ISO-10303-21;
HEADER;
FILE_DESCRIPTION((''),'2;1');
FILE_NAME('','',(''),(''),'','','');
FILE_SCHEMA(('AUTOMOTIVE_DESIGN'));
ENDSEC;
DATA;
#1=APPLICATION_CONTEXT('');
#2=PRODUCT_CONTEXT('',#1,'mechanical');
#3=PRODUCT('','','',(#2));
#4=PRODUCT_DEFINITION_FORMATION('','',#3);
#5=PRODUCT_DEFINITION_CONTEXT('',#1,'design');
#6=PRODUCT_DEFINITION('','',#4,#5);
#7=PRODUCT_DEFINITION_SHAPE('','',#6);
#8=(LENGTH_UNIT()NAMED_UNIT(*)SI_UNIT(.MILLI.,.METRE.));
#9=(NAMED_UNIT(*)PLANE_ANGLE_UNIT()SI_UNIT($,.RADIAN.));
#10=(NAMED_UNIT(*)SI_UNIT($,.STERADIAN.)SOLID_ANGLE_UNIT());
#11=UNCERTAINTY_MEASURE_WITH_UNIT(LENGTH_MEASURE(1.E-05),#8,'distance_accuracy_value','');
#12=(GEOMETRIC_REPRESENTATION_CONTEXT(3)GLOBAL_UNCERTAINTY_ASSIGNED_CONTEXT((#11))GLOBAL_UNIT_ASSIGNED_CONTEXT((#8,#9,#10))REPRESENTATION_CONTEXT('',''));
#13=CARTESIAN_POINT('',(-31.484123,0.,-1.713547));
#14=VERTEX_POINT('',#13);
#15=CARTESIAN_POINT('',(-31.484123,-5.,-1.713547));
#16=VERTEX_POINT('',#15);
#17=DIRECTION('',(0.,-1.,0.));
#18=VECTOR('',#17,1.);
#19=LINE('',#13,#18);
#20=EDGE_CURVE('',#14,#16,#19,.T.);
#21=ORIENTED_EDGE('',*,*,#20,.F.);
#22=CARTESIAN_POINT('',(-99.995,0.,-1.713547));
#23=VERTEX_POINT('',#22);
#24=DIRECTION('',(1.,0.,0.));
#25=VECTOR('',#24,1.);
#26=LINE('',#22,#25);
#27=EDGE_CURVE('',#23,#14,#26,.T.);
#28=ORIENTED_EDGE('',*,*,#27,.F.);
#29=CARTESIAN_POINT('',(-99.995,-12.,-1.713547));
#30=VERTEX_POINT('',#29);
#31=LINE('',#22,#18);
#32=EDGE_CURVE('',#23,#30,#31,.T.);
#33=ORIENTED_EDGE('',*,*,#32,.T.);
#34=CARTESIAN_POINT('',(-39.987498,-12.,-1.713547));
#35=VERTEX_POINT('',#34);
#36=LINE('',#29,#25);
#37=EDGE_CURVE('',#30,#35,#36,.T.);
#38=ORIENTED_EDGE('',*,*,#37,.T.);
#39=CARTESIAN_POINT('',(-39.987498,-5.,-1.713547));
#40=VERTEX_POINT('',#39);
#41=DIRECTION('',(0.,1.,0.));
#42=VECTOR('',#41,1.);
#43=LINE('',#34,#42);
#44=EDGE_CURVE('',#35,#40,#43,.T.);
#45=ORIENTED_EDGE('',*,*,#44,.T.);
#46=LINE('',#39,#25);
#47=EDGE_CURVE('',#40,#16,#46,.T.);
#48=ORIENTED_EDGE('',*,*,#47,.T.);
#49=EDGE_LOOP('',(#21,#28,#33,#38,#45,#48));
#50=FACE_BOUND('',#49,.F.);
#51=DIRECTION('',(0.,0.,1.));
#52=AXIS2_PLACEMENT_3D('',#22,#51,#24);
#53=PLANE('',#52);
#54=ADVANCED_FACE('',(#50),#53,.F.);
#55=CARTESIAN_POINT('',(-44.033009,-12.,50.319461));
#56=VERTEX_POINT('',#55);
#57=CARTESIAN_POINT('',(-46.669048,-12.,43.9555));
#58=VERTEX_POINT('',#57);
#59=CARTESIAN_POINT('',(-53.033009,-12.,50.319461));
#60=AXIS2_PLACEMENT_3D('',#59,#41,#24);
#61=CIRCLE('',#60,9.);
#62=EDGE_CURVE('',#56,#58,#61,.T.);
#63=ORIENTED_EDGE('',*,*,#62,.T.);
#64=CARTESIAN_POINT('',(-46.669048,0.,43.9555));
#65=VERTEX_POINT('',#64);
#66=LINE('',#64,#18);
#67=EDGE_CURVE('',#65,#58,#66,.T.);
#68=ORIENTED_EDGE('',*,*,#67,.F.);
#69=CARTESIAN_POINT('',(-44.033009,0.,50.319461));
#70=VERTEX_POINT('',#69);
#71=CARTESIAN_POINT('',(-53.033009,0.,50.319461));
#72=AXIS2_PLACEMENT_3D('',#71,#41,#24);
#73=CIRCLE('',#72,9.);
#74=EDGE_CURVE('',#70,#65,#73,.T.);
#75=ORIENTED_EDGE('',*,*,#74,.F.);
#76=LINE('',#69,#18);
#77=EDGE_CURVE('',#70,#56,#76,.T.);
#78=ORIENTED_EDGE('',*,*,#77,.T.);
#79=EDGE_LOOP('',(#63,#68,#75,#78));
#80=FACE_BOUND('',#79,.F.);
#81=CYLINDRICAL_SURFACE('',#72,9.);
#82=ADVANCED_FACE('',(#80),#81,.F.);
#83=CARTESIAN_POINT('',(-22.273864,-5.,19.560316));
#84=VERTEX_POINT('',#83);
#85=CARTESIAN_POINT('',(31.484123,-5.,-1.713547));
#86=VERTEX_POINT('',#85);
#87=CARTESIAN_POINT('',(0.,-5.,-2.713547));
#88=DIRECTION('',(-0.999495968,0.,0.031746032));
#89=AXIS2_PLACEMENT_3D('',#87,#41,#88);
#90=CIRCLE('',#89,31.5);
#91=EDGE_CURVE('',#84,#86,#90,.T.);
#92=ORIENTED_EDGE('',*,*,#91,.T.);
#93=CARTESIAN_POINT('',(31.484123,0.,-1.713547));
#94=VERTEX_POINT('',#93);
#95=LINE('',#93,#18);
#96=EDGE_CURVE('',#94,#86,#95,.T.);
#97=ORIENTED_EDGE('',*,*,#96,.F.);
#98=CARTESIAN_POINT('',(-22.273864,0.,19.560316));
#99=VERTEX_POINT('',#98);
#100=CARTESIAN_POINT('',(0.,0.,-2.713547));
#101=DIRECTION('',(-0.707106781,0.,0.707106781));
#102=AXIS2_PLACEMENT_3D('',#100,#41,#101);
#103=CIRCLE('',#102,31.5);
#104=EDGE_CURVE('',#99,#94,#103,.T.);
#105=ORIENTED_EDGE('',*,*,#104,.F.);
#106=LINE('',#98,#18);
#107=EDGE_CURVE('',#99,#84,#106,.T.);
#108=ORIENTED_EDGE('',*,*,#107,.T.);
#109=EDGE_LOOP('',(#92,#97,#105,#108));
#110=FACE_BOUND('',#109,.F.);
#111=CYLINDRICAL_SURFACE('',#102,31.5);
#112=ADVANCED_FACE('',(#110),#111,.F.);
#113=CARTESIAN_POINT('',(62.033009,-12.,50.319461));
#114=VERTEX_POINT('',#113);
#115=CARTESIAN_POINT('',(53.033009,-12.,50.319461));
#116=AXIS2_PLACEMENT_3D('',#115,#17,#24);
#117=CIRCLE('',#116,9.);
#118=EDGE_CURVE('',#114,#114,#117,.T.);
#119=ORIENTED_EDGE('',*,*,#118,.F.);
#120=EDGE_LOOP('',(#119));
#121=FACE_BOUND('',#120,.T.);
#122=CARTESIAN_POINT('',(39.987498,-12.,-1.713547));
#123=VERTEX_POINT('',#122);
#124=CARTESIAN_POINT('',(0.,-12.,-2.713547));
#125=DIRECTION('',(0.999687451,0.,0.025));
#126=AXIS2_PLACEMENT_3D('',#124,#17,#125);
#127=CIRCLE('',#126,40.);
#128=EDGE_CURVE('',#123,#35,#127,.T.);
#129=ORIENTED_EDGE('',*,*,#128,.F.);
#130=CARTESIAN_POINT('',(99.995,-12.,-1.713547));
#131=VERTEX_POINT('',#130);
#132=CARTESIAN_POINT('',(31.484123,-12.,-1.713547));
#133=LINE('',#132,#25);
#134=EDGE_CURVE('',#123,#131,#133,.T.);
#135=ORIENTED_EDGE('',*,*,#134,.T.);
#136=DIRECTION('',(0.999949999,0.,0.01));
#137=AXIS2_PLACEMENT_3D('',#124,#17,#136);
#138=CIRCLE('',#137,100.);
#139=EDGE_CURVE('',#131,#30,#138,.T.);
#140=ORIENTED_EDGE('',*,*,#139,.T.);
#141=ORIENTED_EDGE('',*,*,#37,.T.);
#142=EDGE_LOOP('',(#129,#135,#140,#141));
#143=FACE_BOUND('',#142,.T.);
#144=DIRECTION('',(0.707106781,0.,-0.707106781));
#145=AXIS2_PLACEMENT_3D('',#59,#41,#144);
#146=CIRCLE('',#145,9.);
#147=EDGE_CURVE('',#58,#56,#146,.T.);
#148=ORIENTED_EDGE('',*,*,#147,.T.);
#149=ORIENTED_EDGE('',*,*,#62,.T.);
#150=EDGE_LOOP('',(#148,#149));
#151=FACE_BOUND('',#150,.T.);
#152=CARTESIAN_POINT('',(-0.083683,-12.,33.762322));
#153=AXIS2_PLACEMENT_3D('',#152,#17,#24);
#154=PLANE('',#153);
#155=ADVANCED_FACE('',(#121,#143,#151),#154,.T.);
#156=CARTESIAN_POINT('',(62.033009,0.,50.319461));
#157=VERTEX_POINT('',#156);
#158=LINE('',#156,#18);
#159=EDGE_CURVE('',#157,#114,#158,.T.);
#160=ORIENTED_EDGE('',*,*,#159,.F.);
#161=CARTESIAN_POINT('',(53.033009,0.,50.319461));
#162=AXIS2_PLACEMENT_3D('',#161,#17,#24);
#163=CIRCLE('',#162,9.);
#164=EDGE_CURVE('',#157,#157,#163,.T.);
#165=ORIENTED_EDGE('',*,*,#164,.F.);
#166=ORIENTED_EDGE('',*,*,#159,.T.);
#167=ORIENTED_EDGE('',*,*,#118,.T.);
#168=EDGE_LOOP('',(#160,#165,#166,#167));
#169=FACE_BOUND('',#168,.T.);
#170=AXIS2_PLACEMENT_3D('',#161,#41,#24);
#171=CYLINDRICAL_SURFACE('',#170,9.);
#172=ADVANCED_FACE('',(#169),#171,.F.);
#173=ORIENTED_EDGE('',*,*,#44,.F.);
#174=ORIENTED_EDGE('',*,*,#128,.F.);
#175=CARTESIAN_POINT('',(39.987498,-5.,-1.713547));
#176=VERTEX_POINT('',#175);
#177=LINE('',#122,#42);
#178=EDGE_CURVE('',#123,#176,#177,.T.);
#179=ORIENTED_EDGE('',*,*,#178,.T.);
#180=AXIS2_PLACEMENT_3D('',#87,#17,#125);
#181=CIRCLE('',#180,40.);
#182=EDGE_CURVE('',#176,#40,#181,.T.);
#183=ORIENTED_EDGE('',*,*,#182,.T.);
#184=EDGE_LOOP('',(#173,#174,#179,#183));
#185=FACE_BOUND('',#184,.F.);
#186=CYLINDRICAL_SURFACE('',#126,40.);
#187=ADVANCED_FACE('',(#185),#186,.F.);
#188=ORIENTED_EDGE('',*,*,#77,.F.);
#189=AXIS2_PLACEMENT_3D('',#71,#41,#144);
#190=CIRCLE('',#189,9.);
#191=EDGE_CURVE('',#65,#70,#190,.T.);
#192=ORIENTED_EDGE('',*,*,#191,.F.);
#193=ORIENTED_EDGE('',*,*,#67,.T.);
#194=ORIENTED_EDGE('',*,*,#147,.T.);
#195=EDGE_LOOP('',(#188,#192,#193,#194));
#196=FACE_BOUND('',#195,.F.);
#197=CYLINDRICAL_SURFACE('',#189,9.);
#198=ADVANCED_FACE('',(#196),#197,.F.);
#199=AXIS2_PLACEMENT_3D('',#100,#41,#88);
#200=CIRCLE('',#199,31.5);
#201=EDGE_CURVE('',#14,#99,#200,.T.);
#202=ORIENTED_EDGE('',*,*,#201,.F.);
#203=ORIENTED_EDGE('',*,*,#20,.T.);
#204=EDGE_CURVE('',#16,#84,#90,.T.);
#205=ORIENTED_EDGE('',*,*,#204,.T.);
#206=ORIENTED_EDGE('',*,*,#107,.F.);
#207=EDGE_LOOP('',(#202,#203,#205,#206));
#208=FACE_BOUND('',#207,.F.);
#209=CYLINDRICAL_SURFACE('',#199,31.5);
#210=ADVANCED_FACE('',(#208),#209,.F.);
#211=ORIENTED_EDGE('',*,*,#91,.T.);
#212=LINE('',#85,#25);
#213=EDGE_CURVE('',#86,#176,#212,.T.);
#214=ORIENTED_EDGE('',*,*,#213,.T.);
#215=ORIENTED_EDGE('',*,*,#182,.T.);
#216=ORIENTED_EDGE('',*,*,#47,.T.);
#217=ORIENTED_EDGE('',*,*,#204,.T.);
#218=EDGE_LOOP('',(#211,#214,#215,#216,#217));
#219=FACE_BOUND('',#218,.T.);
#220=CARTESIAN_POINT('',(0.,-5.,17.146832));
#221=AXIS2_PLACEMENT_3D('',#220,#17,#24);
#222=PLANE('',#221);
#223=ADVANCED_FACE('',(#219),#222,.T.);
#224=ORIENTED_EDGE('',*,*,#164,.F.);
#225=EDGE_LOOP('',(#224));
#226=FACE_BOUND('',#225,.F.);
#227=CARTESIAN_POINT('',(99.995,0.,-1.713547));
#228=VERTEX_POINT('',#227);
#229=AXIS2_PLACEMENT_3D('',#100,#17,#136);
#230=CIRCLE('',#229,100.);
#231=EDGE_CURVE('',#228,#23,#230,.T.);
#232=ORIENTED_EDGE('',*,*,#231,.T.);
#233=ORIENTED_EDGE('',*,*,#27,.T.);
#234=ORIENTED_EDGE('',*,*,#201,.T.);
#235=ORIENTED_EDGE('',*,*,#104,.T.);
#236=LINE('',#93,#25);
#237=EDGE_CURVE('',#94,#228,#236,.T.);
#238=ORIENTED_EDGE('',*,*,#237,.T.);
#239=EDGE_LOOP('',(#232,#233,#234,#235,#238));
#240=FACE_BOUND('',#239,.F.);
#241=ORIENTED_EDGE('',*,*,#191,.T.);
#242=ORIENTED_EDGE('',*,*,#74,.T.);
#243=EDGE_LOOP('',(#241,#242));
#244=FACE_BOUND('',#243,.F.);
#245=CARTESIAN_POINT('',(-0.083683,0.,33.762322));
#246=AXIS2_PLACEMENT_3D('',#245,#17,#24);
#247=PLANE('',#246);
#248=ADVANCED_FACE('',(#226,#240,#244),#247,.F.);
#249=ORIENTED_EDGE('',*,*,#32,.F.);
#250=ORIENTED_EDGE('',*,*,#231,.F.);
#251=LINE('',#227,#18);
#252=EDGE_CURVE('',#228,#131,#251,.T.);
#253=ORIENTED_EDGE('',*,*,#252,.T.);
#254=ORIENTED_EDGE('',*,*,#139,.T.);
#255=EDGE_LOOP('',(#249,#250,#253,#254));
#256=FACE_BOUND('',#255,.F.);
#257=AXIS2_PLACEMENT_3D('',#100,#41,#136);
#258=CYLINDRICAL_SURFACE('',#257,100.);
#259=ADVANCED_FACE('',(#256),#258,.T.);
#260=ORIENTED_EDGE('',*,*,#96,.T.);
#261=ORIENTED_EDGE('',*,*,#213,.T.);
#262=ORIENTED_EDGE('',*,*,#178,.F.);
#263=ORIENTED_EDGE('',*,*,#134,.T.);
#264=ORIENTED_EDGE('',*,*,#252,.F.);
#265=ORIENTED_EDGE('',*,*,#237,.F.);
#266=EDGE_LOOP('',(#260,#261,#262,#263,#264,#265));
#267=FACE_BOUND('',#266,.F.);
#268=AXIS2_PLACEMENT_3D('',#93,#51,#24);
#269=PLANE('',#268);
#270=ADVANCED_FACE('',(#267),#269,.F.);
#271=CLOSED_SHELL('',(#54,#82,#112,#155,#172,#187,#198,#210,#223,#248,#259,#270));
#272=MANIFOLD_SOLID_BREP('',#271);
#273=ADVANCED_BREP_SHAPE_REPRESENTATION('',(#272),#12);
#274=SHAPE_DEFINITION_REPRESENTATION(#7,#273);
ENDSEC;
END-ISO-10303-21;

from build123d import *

# Parameters (mm, degrees)
F0_R     = 9
F1_DEPTH = 12
F3_DEPTH = 7


with BuildPart() as f1:
    # F0 (on Front) → F1 (new body)
    with BuildSketch(Plane.XZ):
        with BuildLine():
            ThreePointArc((99.994999875, -1.7135474618), (0, 97.2864525382), (-99.994999875, -1.7135474618))
            Line((-99.994999875, -1.7135474618), (-31.4841229829, -1.7135474618))
            ThreePointArc((-31.4841229829, -1.7135474618), (-28.9071720989, 9.8014595795), (-22.2738636074, 19.5603161456))
            ThreePointArc((-22.2738636074, 19.5603161456), (11.5910110705, 26.5763562998), (31.4841229829, -1.7135474618))
            Line((31.4841229829, -1.7135474618), (99.994999875, -1.7135474618))
        make_face()
        with BuildLine():
            ThreePointArc((-44.033008589, 50.3194611272), (-44.7180927964, 46.8753102359), (-46.6690475583, 43.9555000965))
            ThreePointArc((-46.6690475583, 43.9555000965), (-61.3479243816, 53.7636120185), (-44.033008589, 50.3194611272))
        make_face(mode=Mode.SUBTRACT)
        with Locations((53.033008589, 50.3194611272)):
            Circle(F0_R, mode=Mode.SUBTRACT)
    extrude(amount=F1_DEPTH)

    # F2 (on face) → F3 (cut)
    with BuildSketch(Plane.XZ.offset(12)):
        with BuildLine():
            Line((31.4841229829, -1.7135474618), (39.9874980463, -1.7135474618))
            ThreePointArc((39.9874980463, -1.7135474618), (0, 37.2864525382), (-39.9874980463, -1.7135474618))
            Line((-39.9874980463, -1.7135474618), (-31.4841229829, -1.7135474618))
            ThreePointArc((-31.4841229829, -1.7135474618), (0, 28.7864525382), (31.4841229829, -1.7135474618))
        make_face()
    extrude(amount=-F3_DEPTH, mode=Mode.SUBTRACT)


solid = f1.part
